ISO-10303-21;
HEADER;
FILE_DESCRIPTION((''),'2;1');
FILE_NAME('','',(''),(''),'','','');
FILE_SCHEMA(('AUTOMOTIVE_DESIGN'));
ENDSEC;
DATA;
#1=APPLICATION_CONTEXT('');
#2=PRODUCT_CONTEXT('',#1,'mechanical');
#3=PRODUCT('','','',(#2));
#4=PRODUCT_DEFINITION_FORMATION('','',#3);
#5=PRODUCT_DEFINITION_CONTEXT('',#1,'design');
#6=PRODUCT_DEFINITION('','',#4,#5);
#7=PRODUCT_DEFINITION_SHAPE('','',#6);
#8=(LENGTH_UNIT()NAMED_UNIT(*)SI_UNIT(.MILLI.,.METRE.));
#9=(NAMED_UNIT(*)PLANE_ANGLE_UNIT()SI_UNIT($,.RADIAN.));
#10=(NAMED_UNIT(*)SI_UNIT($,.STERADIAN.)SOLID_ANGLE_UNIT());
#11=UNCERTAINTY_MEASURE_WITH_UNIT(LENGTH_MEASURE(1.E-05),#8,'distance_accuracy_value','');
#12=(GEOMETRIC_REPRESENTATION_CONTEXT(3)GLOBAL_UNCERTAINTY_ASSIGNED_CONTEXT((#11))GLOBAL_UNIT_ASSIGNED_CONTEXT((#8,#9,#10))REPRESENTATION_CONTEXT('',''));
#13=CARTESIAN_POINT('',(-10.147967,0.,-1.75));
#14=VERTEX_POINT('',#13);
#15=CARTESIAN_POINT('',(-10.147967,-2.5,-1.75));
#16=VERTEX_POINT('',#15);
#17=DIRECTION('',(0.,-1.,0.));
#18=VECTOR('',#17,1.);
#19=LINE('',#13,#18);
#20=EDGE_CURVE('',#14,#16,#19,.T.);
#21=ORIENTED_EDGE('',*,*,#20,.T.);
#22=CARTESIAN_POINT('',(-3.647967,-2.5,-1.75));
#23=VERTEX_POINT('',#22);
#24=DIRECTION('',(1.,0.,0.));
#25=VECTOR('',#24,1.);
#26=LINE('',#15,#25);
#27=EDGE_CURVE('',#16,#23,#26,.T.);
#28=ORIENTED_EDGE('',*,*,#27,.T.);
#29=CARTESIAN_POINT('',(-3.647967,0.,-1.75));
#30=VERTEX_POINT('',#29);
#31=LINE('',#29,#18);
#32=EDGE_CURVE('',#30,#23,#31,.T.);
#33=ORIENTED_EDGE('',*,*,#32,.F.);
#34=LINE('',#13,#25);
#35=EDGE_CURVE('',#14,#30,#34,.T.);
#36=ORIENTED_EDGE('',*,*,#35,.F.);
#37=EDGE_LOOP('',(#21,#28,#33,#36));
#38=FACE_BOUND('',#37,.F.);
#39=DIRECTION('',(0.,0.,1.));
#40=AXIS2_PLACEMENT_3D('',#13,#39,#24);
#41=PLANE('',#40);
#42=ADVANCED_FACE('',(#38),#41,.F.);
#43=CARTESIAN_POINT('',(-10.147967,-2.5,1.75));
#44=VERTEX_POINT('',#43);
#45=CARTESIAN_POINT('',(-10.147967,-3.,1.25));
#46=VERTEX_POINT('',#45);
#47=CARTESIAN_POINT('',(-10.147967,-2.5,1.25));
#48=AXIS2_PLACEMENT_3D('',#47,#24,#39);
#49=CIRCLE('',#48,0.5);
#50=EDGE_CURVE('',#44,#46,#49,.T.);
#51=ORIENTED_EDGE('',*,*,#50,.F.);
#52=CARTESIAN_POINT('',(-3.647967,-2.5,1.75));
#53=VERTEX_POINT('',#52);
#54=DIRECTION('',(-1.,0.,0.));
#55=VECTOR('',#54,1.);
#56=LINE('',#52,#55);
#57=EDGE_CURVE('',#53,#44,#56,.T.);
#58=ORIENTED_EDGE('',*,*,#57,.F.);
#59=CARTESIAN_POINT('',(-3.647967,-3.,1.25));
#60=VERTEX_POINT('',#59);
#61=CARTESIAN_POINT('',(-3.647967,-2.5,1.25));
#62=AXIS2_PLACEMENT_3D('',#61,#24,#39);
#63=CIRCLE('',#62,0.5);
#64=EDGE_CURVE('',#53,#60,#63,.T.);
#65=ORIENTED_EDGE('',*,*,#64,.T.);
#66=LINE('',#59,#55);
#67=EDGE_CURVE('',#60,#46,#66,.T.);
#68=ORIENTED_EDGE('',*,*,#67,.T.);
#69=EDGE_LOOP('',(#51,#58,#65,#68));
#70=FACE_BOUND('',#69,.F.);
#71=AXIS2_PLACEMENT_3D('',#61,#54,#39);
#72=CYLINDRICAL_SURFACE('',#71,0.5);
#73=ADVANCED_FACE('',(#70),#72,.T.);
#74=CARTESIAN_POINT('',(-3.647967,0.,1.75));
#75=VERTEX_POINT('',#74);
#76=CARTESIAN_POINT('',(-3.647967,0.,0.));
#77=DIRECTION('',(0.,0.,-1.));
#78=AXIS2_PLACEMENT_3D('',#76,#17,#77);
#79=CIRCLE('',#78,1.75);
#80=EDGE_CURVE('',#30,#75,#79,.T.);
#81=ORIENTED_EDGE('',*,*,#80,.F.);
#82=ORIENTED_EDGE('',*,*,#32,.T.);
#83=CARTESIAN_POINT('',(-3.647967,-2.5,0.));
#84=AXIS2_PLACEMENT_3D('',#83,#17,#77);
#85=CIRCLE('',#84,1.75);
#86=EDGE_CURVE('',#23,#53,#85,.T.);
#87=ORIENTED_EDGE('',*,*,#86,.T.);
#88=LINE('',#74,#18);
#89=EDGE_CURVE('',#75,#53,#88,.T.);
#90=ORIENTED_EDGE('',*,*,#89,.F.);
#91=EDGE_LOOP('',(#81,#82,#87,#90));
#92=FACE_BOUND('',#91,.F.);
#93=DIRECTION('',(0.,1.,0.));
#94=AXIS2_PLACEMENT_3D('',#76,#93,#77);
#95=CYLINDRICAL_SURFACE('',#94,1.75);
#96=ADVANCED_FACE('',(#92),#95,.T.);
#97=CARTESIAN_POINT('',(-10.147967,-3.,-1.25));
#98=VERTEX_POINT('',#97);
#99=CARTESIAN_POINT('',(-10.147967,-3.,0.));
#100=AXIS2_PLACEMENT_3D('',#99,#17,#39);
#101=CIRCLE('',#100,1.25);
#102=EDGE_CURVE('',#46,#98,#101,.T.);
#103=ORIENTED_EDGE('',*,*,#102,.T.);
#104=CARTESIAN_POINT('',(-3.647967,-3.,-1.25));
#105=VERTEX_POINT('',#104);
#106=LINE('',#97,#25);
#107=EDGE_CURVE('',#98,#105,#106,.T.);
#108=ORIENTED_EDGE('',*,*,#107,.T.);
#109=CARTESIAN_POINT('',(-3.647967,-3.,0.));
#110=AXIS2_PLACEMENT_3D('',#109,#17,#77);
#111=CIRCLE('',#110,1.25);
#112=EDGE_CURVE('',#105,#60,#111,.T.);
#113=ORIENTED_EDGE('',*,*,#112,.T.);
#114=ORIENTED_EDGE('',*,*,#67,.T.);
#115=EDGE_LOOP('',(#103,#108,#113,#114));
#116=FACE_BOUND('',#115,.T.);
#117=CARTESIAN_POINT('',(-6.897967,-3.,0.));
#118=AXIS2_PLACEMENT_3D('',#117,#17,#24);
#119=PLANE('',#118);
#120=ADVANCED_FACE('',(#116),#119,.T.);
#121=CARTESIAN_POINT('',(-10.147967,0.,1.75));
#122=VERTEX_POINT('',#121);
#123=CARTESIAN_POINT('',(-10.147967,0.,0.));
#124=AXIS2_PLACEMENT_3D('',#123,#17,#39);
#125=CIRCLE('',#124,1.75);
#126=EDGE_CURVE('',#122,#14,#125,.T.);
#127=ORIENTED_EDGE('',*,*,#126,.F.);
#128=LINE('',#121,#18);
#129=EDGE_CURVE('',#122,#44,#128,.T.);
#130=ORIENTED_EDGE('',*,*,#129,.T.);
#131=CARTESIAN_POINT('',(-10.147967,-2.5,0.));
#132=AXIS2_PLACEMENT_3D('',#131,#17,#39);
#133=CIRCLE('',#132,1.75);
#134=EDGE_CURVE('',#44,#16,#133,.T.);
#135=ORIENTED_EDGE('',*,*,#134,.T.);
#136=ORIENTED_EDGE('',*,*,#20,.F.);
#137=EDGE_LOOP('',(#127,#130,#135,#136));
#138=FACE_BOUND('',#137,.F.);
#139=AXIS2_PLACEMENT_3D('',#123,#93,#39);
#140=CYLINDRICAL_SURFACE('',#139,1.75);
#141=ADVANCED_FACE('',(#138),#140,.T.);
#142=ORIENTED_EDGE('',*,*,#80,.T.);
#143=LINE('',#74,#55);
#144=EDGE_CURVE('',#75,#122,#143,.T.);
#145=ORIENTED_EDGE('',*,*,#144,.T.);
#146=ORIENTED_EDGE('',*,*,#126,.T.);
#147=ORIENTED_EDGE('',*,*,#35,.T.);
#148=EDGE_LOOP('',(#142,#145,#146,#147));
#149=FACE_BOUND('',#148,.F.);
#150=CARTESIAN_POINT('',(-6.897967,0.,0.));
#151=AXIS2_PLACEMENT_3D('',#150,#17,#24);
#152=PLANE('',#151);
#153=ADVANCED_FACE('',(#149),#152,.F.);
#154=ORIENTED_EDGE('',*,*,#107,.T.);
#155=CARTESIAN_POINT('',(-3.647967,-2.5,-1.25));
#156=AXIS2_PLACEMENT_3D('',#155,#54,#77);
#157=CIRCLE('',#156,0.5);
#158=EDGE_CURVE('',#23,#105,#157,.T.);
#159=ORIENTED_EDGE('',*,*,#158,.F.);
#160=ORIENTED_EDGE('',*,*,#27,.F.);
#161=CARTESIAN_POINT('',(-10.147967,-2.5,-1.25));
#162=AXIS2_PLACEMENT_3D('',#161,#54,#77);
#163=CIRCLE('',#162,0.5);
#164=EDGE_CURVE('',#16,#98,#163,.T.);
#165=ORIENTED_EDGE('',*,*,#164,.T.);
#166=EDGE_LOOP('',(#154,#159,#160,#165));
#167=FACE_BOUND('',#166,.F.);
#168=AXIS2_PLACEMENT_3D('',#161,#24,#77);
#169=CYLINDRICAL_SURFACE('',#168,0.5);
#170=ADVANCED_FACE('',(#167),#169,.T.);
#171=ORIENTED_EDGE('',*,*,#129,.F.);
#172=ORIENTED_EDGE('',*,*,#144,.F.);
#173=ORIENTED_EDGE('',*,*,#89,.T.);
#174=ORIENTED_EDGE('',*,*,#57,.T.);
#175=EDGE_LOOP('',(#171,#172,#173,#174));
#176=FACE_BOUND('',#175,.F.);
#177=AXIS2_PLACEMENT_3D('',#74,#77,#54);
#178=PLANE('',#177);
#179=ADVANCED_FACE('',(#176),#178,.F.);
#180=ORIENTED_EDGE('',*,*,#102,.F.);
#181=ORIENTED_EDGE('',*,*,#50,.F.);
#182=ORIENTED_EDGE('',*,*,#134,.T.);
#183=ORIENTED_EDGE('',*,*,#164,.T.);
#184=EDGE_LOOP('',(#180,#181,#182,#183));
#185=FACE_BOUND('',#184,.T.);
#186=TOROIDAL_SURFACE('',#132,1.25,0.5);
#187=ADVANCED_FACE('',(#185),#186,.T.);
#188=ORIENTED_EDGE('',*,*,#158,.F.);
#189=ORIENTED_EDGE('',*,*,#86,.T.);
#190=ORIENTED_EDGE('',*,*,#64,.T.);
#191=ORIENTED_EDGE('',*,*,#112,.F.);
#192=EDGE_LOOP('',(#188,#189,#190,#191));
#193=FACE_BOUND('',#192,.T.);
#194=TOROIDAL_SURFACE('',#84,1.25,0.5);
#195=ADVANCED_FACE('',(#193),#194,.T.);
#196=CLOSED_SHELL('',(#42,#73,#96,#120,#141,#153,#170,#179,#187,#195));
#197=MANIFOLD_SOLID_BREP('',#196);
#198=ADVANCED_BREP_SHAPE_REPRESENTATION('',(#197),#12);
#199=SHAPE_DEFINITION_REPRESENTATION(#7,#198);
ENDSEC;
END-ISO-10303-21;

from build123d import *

# Parameters (mm, degrees)
F1_DEPTH = 3
F2_R     = 0.5


with BuildPart() as f1:
    # F0 (on Front) → F1 (new body)
    with BuildSketch(Plane.XZ):
        with BuildLine():
            Line((-3.647967, 1.75), (-10.147967, 1.75))
            ThreePointArc((-10.147967, 1.75), (-11.897967, 0), (-10.147967, -1.75))
            Line((-10.147967, -1.75), (-3.647967, -1.75))
            ThreePointArc((-3.647967, -1.75), (-1.897967, 0), (-3.647967, 1.75))
        make_face()
    extrude(amount=F1_DEPTH)

    # F2
    f2_edges = [f1.edges().sort_by_distance(p)[0] for p in [
        (-6.897967, -3, 1.75),
        (-1.897967, -3, 0),
        (-6.897967, -3, -1.75),
        (-11.897967, -3, 0),
    ]]
    fillet(f2_edges, radius=F2_R)


solid = f1.part
